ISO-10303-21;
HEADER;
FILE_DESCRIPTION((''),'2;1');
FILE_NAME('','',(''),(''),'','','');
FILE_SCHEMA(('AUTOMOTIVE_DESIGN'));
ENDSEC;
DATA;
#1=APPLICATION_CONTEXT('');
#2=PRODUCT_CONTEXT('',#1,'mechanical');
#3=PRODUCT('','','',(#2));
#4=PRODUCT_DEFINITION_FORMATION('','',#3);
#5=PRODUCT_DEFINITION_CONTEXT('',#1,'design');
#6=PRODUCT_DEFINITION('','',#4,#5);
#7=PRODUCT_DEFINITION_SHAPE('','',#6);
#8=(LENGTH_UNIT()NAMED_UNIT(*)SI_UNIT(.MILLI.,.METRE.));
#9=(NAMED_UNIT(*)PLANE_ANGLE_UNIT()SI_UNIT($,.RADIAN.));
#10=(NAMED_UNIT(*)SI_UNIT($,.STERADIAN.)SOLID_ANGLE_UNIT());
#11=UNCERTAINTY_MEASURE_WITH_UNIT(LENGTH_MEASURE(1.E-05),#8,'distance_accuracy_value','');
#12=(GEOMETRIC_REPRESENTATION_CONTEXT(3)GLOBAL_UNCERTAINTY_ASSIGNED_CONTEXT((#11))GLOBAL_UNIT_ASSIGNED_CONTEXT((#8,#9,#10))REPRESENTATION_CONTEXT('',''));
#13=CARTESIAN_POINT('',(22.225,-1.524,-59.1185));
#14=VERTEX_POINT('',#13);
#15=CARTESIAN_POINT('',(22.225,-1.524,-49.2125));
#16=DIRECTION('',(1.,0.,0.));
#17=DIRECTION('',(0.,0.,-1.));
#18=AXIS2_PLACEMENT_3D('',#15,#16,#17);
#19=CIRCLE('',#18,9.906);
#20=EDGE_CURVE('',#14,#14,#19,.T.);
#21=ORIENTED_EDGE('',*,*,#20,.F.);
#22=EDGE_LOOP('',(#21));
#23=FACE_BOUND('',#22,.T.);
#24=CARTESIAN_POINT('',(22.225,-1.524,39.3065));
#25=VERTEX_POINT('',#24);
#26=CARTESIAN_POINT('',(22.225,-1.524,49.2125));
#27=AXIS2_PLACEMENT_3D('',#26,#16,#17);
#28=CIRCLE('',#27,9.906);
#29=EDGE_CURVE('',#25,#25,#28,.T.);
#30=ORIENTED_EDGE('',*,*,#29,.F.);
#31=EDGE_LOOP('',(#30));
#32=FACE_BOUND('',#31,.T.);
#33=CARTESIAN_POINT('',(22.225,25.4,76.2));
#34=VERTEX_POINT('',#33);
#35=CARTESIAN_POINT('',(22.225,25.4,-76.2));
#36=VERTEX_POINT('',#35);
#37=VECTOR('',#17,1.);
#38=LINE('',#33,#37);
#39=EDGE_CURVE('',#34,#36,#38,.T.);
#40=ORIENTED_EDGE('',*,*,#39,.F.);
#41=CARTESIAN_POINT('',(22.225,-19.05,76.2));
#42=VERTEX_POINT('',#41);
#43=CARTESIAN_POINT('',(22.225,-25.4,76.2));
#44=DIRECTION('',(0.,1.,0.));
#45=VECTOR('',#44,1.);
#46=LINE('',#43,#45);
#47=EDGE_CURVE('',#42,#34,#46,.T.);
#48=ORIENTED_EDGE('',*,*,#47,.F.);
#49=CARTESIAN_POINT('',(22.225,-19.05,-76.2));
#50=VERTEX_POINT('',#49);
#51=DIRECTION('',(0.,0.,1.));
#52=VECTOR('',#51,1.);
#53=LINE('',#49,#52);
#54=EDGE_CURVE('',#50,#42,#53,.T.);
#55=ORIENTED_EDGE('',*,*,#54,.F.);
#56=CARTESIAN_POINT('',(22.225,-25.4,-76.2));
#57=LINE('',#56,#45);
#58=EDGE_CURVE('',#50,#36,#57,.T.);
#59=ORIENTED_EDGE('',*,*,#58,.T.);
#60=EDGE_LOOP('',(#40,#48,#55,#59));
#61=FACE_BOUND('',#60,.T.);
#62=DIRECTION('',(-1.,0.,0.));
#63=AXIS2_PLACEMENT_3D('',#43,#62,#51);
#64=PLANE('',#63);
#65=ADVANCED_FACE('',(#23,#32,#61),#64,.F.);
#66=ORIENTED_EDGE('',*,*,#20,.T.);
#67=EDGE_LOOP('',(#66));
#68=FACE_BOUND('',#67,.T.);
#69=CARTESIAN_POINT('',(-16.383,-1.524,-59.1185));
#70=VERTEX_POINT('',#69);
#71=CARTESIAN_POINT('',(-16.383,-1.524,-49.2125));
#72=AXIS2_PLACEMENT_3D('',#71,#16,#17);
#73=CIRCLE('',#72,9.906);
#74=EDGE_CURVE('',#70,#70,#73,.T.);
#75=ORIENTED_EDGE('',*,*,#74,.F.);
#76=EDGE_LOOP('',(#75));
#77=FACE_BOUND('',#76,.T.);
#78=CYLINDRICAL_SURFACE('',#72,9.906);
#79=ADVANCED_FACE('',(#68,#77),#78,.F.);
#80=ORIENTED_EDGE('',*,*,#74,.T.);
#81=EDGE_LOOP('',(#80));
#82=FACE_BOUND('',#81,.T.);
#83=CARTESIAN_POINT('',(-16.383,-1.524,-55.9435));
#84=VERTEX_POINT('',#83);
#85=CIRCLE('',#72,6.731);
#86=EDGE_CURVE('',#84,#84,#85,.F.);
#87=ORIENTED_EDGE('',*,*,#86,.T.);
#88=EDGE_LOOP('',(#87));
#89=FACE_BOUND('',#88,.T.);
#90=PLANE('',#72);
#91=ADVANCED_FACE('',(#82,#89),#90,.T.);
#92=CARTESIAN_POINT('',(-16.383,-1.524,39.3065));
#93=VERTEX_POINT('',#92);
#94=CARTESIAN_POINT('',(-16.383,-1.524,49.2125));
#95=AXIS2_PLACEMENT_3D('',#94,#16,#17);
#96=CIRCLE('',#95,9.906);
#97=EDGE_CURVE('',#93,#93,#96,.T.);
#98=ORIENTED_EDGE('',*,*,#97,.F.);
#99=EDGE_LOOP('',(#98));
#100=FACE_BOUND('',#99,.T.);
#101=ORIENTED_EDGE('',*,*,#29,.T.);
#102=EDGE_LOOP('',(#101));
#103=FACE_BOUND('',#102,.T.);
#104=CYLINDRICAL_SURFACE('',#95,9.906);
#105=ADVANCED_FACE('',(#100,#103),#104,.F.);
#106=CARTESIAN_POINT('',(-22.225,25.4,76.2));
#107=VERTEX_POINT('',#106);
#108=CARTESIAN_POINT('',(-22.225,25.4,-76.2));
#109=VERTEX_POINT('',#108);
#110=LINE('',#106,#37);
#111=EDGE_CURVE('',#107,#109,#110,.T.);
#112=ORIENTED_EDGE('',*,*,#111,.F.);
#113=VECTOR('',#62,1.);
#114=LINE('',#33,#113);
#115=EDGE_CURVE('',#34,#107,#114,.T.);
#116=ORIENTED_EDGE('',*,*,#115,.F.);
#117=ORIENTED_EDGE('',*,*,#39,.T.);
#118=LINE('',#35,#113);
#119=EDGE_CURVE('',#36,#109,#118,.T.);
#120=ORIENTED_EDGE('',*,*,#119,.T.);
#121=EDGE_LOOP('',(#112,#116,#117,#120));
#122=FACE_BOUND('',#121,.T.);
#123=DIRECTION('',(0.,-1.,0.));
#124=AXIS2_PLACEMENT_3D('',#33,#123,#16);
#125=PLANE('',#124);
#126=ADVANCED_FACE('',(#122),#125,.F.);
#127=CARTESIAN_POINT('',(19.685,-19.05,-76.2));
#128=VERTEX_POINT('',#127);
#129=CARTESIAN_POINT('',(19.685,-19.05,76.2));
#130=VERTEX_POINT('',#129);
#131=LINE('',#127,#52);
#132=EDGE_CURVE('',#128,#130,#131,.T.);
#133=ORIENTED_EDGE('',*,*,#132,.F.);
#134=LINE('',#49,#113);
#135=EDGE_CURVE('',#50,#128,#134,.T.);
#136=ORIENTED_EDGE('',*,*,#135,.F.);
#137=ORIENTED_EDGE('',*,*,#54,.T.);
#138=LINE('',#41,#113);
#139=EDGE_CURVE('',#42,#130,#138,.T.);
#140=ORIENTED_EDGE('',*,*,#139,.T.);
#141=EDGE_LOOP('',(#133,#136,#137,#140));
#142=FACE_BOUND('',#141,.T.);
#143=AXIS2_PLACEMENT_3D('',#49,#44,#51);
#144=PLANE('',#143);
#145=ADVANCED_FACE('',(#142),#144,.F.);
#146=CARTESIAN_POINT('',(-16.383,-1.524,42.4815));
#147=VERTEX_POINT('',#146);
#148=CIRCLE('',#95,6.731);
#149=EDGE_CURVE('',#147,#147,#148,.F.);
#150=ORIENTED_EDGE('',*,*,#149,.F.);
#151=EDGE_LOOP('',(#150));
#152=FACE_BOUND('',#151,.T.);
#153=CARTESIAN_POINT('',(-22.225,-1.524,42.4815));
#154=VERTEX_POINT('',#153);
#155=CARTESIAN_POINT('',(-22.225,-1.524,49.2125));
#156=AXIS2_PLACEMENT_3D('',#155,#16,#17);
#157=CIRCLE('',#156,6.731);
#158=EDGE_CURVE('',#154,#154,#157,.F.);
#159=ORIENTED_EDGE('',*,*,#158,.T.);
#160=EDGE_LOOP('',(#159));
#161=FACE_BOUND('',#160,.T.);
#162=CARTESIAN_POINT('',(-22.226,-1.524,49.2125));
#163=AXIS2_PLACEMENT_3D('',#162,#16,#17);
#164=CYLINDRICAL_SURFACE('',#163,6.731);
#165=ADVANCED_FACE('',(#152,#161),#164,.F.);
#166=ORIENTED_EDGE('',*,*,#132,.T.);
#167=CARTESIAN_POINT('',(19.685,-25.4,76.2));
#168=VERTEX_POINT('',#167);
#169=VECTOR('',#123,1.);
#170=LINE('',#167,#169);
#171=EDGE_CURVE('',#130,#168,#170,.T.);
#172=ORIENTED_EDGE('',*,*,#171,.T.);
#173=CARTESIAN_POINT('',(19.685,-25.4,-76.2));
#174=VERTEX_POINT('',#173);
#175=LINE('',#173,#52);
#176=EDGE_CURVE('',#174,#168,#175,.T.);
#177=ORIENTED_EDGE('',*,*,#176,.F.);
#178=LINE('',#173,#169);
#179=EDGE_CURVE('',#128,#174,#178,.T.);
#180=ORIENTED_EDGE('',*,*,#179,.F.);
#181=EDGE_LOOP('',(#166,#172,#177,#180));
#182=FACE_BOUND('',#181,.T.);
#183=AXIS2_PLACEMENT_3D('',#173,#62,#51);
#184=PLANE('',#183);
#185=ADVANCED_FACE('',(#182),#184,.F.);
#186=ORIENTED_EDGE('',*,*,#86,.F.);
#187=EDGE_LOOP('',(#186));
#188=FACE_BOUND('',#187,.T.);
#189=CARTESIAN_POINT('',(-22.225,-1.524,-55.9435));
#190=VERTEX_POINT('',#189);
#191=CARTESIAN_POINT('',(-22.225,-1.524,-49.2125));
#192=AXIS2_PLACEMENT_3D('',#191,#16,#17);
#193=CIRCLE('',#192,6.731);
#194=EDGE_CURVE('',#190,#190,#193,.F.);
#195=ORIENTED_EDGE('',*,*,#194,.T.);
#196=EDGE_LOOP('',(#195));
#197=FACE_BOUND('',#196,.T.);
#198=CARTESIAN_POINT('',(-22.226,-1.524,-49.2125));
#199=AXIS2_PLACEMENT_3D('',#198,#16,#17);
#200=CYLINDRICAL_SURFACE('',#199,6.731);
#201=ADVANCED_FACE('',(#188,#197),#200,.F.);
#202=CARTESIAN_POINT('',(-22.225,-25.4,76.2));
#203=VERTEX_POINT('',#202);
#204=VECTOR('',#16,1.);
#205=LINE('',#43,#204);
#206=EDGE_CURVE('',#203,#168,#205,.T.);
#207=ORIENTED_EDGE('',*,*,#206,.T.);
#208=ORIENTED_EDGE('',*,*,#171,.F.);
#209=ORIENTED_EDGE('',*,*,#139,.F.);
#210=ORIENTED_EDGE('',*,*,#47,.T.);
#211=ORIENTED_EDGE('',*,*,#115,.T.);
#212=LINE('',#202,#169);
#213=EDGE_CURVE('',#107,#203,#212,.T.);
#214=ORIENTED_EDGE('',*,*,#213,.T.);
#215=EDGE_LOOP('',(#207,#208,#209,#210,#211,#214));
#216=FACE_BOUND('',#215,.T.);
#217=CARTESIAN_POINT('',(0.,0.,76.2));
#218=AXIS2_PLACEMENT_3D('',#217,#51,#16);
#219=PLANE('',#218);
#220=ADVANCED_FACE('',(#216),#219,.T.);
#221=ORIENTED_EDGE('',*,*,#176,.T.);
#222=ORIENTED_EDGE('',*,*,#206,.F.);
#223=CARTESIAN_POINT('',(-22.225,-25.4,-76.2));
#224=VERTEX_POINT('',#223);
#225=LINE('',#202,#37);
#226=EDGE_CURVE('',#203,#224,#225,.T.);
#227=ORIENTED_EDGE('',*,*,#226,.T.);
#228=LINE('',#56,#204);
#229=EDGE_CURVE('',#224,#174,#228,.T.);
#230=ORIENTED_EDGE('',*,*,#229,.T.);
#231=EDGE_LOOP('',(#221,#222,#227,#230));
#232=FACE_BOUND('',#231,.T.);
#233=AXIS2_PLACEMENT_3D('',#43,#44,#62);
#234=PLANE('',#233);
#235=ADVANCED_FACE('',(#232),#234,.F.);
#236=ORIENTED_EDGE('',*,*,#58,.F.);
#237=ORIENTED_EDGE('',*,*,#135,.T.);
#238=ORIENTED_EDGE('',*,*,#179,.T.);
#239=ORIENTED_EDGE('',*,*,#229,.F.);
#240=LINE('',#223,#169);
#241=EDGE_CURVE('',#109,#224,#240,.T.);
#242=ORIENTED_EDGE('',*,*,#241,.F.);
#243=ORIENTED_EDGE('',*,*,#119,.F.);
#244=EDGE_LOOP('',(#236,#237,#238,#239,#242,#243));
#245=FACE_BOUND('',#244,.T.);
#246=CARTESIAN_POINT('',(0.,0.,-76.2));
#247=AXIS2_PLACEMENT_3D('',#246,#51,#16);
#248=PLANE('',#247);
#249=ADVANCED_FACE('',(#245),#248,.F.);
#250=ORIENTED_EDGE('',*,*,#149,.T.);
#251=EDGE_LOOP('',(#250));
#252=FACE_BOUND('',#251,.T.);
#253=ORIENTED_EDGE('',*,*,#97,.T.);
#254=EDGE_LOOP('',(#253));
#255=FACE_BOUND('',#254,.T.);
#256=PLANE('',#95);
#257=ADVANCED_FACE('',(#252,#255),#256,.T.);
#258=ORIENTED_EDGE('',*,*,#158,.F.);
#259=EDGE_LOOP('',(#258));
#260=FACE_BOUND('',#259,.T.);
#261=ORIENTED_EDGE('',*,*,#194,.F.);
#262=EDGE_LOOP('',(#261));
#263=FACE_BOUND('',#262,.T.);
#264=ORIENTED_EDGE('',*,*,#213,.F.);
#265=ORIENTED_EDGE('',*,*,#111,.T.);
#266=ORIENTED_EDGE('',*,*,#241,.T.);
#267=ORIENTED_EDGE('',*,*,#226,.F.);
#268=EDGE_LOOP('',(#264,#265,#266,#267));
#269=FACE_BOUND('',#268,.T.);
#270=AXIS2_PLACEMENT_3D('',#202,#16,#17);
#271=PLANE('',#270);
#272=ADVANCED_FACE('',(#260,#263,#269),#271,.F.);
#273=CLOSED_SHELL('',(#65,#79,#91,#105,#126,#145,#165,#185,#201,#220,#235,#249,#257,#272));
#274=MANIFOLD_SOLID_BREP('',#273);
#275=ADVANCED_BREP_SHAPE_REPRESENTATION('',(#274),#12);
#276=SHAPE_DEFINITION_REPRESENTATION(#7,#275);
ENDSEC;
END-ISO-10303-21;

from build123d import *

# Parameters (mm, degrees)
SKETCH1_W           = 44.45
SKETCH1_H           = 50.8
BOSS_EXTRUDE1_DEPTH = 76.2
CUT_EXTRUDE1_REACH  = 93.801
SKETCH2_R           = 6.731
SKETCH3_R           = 9.906
CUT_EXTRUDE2_DEPTH  = 38.608
SKETCH4_W           = 2.54
SKETCH4_H           = 6.35
CUT_EXTRUDE4_DEPTH  = 157.092506627


with BuildPart() as part:
    # Sketch1 → Boss-Extrude1 (new, symmetric)
    with BuildSketch(Plane.XY):
        Rectangle(SKETCH1_W, SKETCH1_H)
    extrude(amount=BOSS_EXTRUDE1_DEPTH, both=True)

    # Sketch2 → Cut-Extrude1 (cut, up to next)
    with BuildSketch(Plane(origin=(22.225, 0, 0), x_dir=(0, 0, -1), z_dir=(1, 0, 0)), mode=Mode.PRIVATE) as cut_extrude1_sk1:
        with Locations((-49.2125, -1.524)):
            Circle(SKETCH2_R)
    cut_extrude1_tool1 = extrude(cut_extrude1_sk1.sketch, amount=-CUT_EXTRUDE1_REACH, mode=Mode.PRIVATE) & part.part
    # Sketch2 → Cut-Extrude1 (cut, up to next)
    with BuildSketch(Plane(origin=(22.225, 0, 0), x_dir=(0, 0, -1), z_dir=(1, 0, 0)), mode=Mode.PRIVATE) as cut_extrude1_sk2:
        with Locations((49.2125, -1.524)):
            Circle(SKETCH2_R)
    cut_extrude1_tool2 = extrude(cut_extrude1_sk2.sketch, amount=-CUT_EXTRUDE1_REACH, mode=Mode.PRIVATE) & part.part
    add(cut_extrude1_tool1.solids().sort_by_distance((22.225, -1.524, 49.2125))[0], mode=Mode.SUBTRACT)
    add(cut_extrude1_tool2.solids().sort_by_distance((22.225, -1.524, -49.2125))[0], mode=Mode.SUBTRACT)

    # Sketch3 → Cut-Extrude2 (cut)
    with BuildSketch(Plane(origin=(22.225, 0, 0), x_dir=(0, 0, -1), z_dir=(1, 0, 0))):
        with Locations((-49.2125, -1.524)):
            Circle(SKETCH3_R)
        with Locations((49.2125, -1.524)):
            Circle(SKETCH3_R)
    extrude(amount=-CUT_EXTRUDE2_DEPTH, mode=Mode.SUBTRACT)

    # Sketch4 → Cut-Extrude4 (cut, through all)
    with BuildSketch(Plane.XY.offset(76.2)):
        with Locations((20.955, -22.225)):
            Rectangle(SKETCH4_W, SKETCH4_H)
    extrude(amount=-CUT_EXTRUDE4_DEPTH, mode=Mode.SUBTRACT)


solid = part.part
